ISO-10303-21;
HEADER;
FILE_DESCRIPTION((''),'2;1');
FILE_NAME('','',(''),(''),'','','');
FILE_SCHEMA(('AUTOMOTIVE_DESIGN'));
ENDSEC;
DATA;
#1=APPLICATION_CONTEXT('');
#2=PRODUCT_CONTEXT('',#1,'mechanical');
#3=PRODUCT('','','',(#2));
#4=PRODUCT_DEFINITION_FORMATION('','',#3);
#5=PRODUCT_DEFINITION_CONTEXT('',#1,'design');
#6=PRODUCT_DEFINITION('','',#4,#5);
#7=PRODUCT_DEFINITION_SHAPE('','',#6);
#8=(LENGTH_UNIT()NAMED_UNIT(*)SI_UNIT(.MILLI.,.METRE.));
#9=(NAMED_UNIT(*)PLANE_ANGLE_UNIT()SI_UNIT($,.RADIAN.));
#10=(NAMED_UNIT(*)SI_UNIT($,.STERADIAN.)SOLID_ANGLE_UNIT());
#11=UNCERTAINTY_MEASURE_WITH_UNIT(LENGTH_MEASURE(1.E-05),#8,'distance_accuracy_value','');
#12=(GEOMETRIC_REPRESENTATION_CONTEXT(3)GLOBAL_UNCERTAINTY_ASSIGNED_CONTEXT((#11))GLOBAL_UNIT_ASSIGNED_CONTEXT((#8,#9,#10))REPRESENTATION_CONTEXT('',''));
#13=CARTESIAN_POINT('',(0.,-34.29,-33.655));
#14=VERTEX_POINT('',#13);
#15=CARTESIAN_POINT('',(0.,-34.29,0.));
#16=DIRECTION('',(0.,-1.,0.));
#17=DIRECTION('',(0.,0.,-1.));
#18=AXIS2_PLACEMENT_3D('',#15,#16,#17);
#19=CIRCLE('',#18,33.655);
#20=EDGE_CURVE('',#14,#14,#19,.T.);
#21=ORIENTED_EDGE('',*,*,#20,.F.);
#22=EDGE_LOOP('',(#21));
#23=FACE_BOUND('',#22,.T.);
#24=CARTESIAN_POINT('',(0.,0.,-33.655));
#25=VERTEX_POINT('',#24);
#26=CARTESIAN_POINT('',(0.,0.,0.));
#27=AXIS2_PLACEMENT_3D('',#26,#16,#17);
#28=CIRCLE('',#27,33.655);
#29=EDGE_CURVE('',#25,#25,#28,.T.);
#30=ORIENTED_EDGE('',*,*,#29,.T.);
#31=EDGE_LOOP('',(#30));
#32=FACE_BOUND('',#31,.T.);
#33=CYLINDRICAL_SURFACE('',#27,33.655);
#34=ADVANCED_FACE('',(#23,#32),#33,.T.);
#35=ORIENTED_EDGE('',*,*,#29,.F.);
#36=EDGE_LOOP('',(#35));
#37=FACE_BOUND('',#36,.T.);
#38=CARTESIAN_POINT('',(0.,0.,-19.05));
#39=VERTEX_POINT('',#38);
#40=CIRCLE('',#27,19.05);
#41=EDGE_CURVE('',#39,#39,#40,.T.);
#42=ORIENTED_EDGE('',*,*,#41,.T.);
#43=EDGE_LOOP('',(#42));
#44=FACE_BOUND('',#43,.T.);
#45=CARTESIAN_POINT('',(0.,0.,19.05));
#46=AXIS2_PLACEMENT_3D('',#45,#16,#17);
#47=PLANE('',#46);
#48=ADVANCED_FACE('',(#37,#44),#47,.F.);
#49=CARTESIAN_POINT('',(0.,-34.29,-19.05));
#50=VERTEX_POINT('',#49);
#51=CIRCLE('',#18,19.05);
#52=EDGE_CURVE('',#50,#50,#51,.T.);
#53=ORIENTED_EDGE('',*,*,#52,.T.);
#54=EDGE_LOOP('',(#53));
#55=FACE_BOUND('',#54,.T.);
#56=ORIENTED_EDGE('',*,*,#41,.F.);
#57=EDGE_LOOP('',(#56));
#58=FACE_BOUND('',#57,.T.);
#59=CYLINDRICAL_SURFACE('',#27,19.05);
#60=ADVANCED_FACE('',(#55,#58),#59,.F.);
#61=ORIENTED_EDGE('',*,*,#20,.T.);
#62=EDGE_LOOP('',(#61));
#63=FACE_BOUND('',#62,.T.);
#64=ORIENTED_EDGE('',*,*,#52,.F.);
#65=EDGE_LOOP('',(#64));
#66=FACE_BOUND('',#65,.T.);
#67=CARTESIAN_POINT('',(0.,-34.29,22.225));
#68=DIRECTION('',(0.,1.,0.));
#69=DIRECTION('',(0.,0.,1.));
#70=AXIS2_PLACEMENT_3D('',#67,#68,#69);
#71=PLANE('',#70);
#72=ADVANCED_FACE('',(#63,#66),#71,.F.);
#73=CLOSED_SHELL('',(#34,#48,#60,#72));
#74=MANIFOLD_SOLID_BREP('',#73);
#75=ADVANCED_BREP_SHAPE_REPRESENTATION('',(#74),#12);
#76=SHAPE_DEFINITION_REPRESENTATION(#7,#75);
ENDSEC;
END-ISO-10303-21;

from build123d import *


with BuildPart() as part:
    # Sketch1 → Revolve1 (revolve)
    with BuildSketch(Plane(origin=(0, 0, 0), x_dir=(0, 0, -1), z_dir=(1, 0, 0))):
        Polygon((-19.05, -34.29), (-19.05, 0), (-33.655, 0), (-33.655, -24.619433914), (-33.655, -34.29), (-22.225, -34.29), align=None)
    revolve(axis=Axis((0, 0, 0), (0, 1, 0)))


solid = part.part
